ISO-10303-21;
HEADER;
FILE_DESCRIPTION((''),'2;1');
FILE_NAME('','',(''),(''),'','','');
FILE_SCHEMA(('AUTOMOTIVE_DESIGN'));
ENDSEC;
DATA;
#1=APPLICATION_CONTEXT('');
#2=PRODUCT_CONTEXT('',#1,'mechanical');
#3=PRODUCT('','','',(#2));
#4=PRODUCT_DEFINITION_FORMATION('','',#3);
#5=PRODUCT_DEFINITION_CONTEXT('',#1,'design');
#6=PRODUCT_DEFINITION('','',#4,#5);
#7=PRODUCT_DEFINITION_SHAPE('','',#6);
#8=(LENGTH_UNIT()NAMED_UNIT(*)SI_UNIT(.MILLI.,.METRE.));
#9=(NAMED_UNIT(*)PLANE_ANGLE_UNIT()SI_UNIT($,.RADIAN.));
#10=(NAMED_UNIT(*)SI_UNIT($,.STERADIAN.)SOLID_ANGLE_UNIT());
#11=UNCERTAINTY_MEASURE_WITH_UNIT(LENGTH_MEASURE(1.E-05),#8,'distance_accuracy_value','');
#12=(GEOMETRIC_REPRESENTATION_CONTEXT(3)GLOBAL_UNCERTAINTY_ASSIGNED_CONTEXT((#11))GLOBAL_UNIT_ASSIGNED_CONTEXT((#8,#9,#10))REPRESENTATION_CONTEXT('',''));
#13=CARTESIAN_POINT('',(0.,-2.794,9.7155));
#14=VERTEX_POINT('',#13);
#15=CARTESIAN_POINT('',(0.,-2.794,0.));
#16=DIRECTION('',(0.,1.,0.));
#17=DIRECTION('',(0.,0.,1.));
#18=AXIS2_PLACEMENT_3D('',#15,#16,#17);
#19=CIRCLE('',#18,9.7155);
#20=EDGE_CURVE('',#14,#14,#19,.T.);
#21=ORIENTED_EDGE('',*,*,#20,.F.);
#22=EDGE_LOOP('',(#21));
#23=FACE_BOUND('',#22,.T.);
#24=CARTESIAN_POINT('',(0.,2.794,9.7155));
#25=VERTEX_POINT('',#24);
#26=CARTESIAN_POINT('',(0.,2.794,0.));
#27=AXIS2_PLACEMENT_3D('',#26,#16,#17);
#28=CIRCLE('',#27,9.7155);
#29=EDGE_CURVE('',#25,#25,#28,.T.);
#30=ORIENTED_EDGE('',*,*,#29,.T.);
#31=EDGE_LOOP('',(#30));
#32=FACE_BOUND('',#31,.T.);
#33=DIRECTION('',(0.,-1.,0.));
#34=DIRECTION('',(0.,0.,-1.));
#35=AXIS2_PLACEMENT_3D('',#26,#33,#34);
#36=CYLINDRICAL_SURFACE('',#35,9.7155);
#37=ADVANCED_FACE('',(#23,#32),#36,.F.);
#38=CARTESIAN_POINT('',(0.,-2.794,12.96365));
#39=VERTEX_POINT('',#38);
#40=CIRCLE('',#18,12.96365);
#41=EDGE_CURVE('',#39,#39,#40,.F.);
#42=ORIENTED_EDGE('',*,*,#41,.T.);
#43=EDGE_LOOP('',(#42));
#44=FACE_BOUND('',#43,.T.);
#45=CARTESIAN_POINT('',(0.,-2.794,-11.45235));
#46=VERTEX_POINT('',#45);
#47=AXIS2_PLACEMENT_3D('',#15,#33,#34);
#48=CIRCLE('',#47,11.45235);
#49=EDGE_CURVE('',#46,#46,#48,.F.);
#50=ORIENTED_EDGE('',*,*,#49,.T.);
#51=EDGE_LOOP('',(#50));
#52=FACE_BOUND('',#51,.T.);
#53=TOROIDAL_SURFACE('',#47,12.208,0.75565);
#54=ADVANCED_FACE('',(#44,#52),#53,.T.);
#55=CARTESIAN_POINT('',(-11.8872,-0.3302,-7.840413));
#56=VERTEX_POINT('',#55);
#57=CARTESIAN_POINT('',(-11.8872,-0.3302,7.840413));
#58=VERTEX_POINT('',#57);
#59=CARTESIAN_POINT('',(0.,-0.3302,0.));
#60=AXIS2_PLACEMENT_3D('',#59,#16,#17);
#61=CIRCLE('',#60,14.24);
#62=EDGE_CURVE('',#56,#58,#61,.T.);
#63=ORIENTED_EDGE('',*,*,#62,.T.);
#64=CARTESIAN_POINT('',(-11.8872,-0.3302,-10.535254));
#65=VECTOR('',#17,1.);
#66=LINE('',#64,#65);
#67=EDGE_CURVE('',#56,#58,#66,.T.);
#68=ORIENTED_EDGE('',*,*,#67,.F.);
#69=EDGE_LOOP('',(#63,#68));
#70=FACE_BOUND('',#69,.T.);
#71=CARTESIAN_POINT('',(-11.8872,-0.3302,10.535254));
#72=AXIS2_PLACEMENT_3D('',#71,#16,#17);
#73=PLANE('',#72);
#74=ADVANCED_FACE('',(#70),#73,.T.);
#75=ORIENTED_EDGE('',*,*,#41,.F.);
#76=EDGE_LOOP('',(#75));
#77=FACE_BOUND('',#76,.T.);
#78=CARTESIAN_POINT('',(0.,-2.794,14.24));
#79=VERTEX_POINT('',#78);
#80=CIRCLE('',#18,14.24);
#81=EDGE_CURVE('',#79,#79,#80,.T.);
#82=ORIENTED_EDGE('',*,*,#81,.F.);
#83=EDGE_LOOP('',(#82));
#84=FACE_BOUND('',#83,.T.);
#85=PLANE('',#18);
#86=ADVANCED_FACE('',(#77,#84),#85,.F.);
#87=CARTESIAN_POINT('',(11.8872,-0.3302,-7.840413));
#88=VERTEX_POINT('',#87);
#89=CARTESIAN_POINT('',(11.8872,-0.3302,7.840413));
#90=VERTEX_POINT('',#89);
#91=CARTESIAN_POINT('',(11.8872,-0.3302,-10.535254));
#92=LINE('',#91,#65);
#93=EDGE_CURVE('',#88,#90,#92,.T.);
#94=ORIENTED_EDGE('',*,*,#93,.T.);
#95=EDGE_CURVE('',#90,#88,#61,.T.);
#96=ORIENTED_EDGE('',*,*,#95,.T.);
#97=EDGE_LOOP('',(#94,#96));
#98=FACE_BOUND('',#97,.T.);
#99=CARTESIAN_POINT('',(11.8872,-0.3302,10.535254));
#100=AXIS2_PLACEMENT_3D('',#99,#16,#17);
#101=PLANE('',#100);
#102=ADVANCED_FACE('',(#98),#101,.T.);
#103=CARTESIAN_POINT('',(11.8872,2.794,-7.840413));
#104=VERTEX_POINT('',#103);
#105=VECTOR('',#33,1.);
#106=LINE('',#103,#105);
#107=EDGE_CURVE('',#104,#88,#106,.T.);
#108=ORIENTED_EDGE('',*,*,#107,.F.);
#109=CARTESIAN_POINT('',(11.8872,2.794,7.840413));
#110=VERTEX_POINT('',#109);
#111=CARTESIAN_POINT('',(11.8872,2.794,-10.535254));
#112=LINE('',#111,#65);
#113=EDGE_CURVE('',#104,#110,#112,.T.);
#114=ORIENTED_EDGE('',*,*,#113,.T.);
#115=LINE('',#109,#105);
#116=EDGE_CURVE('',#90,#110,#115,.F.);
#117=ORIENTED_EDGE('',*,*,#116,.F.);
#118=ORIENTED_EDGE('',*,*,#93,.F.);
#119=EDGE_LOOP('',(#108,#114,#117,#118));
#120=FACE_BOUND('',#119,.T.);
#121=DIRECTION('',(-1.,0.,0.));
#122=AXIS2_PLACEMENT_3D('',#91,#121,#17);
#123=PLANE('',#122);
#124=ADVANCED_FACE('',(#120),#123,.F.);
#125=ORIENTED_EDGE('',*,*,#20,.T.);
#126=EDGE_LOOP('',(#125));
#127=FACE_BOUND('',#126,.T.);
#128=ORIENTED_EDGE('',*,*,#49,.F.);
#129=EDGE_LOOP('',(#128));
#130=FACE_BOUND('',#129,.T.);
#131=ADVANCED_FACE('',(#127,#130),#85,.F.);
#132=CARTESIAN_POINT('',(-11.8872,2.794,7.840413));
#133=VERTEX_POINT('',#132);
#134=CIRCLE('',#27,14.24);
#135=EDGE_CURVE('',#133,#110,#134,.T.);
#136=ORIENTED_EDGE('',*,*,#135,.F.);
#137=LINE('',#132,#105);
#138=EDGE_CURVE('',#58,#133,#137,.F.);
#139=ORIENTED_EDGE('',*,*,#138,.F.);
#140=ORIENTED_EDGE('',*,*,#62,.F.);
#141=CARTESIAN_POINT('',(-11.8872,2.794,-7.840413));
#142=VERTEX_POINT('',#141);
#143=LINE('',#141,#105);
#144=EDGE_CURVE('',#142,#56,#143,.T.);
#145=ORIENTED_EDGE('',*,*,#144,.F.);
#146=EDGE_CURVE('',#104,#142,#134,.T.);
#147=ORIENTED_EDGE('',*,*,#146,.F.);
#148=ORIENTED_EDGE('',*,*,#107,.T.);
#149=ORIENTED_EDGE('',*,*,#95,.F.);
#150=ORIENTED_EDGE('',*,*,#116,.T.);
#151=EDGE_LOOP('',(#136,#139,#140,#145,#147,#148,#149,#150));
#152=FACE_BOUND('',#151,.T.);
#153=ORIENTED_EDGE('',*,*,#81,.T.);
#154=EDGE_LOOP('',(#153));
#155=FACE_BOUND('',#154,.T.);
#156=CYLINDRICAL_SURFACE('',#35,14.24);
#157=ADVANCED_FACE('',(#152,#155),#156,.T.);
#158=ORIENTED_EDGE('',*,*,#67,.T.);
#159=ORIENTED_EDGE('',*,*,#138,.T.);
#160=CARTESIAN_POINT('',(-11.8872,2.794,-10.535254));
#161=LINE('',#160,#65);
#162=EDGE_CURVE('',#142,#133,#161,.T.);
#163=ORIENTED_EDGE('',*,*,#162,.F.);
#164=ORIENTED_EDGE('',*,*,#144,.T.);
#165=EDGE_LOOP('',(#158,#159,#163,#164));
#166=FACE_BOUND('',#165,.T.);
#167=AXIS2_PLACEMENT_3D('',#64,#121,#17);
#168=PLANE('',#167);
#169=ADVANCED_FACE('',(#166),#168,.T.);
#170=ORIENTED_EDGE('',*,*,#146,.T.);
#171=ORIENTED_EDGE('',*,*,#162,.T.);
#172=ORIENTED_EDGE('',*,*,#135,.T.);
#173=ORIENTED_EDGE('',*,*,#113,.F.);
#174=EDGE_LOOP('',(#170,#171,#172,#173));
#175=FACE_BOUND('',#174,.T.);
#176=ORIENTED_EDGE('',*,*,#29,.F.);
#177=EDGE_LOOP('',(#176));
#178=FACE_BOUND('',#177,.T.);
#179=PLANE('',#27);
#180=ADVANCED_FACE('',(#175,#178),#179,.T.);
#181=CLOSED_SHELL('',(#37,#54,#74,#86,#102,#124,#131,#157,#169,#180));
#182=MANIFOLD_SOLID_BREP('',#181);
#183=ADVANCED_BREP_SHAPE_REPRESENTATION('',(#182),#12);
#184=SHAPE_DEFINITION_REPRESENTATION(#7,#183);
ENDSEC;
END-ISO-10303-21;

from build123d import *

# Parameters (mm, degrees)
SKETCH1_R           = 14.24
SKETCH1_R_2         = 9.7155
BOSS_EXTRUDE1_DEPTH = 2.794
SKETCH2_W           = 4.55251892
SKETCH2_H           = 21.070507922
CUT_EXTRUDE1_DEPTH  = 3.1242
SKETCH3_R           = 0.75565


with BuildPart() as part:
    # Sketch1 → Boss-Extrude1 (new, symmetric)
    with BuildSketch(Plane(origin=(0, 0, 0), x_dir=(1, 0, 0), z_dir=(0, 1, 0))):
        with Locations(Location((0, 0, 0), (0, 0, 270))):
            Circle(SKETCH1_R)
        with Locations(Location((0, 0, 0), (0, 0, 270))):
            Circle(SKETCH1_R_2, mode=Mode.SUBTRACT)
    extrude(amount=BOSS_EXTRUDE1_DEPTH, both=True)

    # Sketch2 → Cut-Extrude1 (cut)
    with BuildSketch(Plane(origin=(0, 2.794, 0), x_dir=(1, 0, 0), z_dir=(0, 1, 0))):
        with Locations((14.16345946, 0)):
            Rectangle(SKETCH2_W, SKETCH2_H)
    cut_extrude1 = extrude(amount=-CUT_EXTRUDE1_DEPTH, mode=Mode.SUBTRACT)

    # Mirror1: Cut-Extrude1 across plane
    add(cut_extrude1.mirror(Plane(origin=(0, 0, 0), x_dir=(0, 0, 1), z_dir=(1, 0, 0))), mode=Mode.SUBTRACT)

    # Sketch3 → Revolve1 (revolve)
    with BuildSketch(Plane(origin=(0, 0, 0), x_dir=(0, 0, -1), z_dir=(1, 0, 0)), mode=Mode.PRIVATE) as revolve1_sk:
        with Locations((-12.208, -2.794)):
            Circle(SKETCH3_R)
    revolve(revolve1_sk.sketch.rotate(Axis((0, 0, 0), (0, 1, 0)), 236.592446153), axis=Axis((0, 0, 0), (0, 1, 0)))


solid = part.part
